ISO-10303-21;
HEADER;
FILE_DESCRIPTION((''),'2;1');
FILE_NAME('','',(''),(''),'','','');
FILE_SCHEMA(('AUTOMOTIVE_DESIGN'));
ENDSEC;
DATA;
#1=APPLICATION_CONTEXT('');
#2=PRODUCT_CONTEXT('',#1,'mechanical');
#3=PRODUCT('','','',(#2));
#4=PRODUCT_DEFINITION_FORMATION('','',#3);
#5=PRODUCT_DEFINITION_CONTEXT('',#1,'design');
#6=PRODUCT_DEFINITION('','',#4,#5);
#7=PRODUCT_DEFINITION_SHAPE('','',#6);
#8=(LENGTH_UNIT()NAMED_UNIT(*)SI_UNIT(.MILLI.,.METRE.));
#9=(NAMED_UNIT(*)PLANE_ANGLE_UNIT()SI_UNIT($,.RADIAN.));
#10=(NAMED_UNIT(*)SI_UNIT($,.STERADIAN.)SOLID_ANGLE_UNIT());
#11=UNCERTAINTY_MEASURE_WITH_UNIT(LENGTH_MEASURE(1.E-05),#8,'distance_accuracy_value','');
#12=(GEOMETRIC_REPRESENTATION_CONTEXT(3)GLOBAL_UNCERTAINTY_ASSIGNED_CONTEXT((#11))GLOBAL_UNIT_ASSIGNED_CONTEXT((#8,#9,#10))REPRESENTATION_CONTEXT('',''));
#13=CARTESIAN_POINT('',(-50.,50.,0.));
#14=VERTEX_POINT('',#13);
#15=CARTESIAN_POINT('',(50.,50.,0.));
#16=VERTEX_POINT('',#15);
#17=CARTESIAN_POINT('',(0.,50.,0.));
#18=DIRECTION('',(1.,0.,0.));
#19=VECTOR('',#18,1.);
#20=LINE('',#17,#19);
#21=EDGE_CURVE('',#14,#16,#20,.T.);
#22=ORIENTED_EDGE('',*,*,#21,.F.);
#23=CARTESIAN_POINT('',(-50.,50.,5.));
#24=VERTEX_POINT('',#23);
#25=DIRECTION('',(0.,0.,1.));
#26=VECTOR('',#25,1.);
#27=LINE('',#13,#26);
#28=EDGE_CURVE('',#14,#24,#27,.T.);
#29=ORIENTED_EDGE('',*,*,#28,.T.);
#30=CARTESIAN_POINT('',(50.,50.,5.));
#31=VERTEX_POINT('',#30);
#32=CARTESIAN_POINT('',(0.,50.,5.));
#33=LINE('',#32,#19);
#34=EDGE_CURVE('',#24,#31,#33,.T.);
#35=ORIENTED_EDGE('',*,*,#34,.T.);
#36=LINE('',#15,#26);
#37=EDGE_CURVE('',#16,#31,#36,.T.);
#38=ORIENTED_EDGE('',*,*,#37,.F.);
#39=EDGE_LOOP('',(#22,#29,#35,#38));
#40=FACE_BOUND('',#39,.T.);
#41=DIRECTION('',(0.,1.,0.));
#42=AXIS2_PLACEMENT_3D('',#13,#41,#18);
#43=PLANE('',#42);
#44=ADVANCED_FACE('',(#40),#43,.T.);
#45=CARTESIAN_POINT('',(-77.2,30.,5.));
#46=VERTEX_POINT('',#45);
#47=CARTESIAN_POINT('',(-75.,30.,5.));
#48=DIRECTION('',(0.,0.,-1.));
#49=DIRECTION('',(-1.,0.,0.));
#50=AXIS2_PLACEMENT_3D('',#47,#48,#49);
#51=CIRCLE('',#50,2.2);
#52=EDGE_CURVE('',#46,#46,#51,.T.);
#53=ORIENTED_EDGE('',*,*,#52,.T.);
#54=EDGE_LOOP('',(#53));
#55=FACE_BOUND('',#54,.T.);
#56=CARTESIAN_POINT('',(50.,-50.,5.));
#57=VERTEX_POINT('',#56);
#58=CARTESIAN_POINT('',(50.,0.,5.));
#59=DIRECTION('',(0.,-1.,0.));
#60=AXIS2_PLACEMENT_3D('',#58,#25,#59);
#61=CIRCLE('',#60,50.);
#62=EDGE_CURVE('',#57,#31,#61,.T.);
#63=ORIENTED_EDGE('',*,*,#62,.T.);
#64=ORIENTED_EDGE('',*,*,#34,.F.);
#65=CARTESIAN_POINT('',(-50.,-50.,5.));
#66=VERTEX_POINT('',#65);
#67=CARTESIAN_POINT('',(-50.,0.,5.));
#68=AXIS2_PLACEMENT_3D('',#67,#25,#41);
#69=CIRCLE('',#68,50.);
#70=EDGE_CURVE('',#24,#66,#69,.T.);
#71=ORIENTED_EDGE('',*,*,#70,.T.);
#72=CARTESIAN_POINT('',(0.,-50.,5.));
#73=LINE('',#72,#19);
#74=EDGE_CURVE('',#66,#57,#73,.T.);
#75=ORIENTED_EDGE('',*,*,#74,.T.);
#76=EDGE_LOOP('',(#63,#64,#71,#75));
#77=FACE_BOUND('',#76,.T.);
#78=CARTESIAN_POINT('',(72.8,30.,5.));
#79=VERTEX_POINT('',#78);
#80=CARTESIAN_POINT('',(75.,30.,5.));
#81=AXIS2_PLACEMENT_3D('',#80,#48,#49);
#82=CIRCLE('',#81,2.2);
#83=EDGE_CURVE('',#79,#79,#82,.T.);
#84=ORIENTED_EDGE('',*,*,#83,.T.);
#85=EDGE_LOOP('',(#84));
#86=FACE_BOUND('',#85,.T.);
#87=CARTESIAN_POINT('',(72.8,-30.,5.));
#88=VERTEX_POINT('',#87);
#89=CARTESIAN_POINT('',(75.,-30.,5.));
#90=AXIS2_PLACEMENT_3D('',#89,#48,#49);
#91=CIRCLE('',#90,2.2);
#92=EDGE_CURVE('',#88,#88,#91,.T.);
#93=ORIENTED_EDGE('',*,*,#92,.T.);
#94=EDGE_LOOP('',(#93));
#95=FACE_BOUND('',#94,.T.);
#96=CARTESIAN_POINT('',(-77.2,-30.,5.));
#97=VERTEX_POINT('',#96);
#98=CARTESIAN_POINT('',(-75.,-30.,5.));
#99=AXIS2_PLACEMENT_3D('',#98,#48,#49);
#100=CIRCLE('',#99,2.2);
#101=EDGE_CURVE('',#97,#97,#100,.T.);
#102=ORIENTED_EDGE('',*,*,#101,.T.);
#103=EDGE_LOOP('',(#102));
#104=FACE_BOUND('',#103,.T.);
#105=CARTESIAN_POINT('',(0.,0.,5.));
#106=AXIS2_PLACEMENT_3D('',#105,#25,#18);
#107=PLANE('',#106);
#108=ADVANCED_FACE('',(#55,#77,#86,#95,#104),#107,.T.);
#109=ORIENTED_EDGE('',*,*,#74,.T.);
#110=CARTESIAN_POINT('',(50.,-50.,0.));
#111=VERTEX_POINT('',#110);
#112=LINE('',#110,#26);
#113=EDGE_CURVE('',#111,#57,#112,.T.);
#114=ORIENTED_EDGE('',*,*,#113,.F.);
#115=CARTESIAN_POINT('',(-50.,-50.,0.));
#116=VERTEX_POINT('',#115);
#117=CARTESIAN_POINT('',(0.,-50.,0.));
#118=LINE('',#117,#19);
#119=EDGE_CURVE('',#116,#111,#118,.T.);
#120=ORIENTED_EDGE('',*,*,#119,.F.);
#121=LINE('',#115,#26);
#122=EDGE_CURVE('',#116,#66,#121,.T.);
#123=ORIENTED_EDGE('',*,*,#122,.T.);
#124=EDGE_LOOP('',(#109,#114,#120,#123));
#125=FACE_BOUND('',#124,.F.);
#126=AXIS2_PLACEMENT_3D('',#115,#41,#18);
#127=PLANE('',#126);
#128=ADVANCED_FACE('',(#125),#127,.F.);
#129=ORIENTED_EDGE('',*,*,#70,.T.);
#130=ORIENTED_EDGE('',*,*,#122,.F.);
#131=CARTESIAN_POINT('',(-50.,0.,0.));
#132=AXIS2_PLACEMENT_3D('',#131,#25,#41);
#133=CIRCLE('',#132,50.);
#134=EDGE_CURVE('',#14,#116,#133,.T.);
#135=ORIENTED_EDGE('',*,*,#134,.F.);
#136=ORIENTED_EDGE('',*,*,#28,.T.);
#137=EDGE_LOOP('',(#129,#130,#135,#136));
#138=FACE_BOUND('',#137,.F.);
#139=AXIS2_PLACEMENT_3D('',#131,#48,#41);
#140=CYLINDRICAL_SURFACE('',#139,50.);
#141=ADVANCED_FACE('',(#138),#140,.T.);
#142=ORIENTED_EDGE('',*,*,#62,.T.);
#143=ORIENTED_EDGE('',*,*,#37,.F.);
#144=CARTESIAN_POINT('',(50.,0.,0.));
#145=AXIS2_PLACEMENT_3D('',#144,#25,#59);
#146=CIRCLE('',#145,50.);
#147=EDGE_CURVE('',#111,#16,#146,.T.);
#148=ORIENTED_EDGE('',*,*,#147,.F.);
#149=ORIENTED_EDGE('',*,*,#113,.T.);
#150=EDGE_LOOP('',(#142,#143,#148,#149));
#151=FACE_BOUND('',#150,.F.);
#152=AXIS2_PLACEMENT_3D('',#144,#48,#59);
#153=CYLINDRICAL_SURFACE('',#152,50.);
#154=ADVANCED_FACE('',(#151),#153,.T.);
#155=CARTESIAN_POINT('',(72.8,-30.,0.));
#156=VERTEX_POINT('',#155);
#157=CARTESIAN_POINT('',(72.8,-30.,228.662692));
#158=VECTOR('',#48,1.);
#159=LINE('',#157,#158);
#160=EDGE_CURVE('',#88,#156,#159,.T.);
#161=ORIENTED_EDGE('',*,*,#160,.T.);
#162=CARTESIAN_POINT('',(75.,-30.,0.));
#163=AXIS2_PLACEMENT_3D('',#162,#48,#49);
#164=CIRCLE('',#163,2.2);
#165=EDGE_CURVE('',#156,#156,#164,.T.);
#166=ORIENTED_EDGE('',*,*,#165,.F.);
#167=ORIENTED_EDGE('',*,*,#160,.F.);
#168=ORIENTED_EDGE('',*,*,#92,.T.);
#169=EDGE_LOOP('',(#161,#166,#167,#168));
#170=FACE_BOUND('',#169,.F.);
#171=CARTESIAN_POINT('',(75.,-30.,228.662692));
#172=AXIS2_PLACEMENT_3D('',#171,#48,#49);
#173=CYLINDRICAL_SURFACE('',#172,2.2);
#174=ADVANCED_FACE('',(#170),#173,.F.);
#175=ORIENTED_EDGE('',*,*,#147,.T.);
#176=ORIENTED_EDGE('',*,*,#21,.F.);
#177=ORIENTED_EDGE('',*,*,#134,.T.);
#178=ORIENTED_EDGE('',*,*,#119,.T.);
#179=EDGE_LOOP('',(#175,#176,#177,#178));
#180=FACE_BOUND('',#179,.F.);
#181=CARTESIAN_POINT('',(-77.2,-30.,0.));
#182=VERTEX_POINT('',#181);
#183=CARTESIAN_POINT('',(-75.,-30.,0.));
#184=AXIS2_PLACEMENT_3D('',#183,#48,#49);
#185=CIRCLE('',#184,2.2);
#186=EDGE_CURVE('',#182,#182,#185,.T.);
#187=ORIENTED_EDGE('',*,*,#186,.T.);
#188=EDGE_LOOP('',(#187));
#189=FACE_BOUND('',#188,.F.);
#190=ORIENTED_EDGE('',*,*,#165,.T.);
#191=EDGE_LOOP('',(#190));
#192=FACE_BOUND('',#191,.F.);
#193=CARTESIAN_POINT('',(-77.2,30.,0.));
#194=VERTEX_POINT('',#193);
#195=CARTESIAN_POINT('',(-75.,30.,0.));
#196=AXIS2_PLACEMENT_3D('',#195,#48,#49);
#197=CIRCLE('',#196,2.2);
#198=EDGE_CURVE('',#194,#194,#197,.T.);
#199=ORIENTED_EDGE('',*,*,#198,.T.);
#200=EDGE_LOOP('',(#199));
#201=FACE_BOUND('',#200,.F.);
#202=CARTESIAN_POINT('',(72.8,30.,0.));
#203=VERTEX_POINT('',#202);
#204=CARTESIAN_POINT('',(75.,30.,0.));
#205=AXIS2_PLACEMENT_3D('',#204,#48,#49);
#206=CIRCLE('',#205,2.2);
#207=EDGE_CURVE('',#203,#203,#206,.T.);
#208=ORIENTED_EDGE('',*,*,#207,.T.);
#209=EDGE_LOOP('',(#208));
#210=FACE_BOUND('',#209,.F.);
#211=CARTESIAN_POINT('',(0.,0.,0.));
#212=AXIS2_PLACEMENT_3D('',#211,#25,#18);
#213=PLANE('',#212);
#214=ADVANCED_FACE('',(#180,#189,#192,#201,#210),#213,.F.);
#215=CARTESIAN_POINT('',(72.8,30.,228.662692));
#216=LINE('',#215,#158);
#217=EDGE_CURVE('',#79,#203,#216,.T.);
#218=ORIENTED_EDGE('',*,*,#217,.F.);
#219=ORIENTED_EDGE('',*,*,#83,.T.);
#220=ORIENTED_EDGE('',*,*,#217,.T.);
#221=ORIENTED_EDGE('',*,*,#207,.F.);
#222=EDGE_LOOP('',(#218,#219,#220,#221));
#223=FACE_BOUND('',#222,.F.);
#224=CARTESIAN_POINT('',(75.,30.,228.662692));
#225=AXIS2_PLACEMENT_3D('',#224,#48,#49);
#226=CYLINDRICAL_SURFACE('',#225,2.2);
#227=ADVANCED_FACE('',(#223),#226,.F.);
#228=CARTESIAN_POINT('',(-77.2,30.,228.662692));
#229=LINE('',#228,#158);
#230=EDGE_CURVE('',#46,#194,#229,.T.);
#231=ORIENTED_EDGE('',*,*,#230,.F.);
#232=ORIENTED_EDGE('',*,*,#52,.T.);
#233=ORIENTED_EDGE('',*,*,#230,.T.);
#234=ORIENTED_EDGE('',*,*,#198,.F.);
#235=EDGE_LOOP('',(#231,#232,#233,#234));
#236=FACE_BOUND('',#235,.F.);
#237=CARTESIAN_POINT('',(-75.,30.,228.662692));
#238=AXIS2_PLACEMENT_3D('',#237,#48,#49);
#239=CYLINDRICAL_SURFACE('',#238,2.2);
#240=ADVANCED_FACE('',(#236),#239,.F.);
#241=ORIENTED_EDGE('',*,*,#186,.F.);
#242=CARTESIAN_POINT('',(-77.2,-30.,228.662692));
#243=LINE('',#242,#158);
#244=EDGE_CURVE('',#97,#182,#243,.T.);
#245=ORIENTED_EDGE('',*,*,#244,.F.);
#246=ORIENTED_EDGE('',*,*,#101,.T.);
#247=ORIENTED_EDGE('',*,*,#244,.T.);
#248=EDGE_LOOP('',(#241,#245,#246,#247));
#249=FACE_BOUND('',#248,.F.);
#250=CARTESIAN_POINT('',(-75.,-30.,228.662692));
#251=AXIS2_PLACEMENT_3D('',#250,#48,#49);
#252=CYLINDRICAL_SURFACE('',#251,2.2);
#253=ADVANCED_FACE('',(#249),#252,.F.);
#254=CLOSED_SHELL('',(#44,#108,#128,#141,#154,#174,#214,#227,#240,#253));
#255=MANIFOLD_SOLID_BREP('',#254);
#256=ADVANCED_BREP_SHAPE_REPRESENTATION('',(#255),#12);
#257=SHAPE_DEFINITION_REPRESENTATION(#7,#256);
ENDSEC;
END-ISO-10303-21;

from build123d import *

# Parameters (mm, degrees)
F0_W     = 100
F0_H     = 100
F1_DEPTH = 5
F3_D     = 4.4


with BuildPart() as f1:
    # F0 (on Top) → F1 (new body)
    with BuildSketch(Plane.XY):
        Rectangle(F0_W, F0_H)
        with BuildLine():
            ThreePointArc((50, -50), (100, 0), (50, 50))
            Line((50, 50), (50, -50))
        make_face()
        with BuildLine():
            Line((-50, -50), (-50, 50))
            ThreePointArc((-50, 50), (-100, 0), (-50, -50))
        make_face()
    extrude(amount=F1_DEPTH)

    # F3 (through all)
    with Locations(Plane.XY.offset(5)):
        with Locations((-75, 30), (75, 30), (75, -30), (-75, -30)):
            Hole(F3_D / 2)


solid = f1.part
